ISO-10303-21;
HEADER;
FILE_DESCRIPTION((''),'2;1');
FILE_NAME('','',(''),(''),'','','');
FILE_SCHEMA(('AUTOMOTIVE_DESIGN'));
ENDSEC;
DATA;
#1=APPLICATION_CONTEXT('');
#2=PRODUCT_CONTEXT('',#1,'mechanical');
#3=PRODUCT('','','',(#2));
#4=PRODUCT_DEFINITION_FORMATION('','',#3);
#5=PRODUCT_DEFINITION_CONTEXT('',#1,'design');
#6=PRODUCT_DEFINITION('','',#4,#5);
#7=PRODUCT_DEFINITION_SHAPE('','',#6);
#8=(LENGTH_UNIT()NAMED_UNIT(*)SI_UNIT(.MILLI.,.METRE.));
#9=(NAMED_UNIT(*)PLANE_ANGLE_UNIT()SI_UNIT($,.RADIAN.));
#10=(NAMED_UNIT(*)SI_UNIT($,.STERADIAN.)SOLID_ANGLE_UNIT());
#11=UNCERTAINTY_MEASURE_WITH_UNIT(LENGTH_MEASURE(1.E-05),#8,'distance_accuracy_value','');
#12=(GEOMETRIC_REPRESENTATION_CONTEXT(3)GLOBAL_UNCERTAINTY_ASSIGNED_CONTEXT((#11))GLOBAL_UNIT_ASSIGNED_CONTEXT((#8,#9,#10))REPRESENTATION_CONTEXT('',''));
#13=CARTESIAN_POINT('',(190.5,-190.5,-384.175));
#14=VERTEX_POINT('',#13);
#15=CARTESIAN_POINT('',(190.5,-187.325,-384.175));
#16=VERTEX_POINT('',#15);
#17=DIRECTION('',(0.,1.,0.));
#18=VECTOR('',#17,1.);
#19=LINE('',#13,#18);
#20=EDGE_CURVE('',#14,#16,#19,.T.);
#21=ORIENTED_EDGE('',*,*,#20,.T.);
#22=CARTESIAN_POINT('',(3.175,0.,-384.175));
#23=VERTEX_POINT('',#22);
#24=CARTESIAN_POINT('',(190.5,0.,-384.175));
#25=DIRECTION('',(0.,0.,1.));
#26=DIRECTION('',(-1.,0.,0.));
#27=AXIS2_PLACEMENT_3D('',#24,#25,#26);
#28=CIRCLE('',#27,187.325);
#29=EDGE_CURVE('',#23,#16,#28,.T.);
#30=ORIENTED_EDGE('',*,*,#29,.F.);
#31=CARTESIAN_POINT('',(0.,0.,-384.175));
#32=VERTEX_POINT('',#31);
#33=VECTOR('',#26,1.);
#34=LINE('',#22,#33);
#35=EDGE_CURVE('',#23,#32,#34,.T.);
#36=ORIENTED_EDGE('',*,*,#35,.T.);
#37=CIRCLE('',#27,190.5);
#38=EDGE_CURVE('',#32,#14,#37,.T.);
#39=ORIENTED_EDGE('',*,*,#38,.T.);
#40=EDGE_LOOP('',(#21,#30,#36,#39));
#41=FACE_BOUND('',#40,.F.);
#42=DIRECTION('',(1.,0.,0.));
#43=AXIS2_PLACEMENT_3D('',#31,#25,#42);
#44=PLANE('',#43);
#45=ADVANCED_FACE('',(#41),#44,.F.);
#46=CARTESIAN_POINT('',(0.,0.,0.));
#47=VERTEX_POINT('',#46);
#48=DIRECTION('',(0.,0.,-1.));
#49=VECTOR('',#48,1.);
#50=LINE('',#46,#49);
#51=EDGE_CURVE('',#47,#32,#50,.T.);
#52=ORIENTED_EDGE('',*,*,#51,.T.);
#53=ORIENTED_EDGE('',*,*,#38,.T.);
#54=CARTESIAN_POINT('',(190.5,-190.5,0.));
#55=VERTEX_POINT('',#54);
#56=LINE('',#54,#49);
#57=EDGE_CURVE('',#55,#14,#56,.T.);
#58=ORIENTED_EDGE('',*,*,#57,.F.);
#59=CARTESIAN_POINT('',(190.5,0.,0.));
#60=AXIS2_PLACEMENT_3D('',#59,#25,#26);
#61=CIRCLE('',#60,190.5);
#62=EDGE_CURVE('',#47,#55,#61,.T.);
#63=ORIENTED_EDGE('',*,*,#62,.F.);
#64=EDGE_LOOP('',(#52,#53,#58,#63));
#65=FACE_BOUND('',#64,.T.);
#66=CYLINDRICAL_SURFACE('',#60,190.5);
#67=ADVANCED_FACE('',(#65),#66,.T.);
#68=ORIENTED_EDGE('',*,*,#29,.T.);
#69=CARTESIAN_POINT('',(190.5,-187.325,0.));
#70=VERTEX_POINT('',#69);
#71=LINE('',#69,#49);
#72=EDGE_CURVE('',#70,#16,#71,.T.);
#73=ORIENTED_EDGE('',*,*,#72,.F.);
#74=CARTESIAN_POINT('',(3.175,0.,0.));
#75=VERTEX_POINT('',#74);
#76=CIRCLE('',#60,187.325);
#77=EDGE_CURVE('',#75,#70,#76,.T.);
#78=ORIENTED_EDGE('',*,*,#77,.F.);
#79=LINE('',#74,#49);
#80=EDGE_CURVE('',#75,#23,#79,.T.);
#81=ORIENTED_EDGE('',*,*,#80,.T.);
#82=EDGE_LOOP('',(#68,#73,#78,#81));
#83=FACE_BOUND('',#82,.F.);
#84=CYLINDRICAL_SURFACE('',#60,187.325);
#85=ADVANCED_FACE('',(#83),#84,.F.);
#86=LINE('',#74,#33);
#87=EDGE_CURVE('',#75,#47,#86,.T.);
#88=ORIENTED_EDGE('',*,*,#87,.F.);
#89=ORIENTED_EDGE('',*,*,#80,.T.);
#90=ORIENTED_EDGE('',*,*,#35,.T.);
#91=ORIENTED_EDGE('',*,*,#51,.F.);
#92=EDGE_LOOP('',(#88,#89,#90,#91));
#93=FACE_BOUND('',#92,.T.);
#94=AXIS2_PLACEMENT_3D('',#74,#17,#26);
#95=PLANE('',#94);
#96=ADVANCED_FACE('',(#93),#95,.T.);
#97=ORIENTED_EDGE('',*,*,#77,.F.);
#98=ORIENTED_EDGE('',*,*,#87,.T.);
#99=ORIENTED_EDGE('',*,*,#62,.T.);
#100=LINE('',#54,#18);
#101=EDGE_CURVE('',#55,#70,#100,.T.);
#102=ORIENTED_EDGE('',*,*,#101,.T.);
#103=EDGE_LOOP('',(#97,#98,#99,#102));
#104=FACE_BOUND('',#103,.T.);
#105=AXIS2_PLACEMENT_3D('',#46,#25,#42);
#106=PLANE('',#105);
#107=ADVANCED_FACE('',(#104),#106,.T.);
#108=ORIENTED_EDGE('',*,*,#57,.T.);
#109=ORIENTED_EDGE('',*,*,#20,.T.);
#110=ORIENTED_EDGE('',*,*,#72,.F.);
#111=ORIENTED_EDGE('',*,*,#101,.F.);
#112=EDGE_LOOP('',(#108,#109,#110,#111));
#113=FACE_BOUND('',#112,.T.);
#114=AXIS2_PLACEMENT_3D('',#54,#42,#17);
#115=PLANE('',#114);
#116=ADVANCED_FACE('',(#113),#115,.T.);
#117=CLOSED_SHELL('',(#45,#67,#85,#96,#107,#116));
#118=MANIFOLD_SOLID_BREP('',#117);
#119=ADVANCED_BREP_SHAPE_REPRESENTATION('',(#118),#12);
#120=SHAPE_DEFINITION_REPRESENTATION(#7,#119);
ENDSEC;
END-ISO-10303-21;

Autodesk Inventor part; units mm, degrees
ref_plane "YZ Plane" through (0, 0, 0) normal (1, 0, 0) x (0, 1, 0)
ref_plane "XZ Plane" through (0, 0, 0) normal (0, 1, 0) x (-1, 0, 0)
ref_plane "XY Plane" through (0, 0, 0) normal (0, 0, 1) x (1, 0, 0)
sketch "Sketch1" plane through (0, 0, 0) normal (0, 0, 1) x (1, 0, 0)
  arc A0 (0, 0) -> (190.5, -190.5) centre (190.5, 0) ccw
  line L0 (0, 0) -> (190.5, 0) construction
  line L1 (190.5, 0) -> (190.5, -190.5) construction
  arc A1 (3.175, 0) -> (190.5, -187.325) centre (190.5, 0) ccw
  line L2 (3.175, 0) -> (0, 0)
  line L3 (190.5, -190.5) -> (190.5, -187.325)
  dimension "d0" = 190.5
  dimension "d1" = 3.175
extrude "Extrusion1" add sketch "Sketch1" against normal blind 384.175
